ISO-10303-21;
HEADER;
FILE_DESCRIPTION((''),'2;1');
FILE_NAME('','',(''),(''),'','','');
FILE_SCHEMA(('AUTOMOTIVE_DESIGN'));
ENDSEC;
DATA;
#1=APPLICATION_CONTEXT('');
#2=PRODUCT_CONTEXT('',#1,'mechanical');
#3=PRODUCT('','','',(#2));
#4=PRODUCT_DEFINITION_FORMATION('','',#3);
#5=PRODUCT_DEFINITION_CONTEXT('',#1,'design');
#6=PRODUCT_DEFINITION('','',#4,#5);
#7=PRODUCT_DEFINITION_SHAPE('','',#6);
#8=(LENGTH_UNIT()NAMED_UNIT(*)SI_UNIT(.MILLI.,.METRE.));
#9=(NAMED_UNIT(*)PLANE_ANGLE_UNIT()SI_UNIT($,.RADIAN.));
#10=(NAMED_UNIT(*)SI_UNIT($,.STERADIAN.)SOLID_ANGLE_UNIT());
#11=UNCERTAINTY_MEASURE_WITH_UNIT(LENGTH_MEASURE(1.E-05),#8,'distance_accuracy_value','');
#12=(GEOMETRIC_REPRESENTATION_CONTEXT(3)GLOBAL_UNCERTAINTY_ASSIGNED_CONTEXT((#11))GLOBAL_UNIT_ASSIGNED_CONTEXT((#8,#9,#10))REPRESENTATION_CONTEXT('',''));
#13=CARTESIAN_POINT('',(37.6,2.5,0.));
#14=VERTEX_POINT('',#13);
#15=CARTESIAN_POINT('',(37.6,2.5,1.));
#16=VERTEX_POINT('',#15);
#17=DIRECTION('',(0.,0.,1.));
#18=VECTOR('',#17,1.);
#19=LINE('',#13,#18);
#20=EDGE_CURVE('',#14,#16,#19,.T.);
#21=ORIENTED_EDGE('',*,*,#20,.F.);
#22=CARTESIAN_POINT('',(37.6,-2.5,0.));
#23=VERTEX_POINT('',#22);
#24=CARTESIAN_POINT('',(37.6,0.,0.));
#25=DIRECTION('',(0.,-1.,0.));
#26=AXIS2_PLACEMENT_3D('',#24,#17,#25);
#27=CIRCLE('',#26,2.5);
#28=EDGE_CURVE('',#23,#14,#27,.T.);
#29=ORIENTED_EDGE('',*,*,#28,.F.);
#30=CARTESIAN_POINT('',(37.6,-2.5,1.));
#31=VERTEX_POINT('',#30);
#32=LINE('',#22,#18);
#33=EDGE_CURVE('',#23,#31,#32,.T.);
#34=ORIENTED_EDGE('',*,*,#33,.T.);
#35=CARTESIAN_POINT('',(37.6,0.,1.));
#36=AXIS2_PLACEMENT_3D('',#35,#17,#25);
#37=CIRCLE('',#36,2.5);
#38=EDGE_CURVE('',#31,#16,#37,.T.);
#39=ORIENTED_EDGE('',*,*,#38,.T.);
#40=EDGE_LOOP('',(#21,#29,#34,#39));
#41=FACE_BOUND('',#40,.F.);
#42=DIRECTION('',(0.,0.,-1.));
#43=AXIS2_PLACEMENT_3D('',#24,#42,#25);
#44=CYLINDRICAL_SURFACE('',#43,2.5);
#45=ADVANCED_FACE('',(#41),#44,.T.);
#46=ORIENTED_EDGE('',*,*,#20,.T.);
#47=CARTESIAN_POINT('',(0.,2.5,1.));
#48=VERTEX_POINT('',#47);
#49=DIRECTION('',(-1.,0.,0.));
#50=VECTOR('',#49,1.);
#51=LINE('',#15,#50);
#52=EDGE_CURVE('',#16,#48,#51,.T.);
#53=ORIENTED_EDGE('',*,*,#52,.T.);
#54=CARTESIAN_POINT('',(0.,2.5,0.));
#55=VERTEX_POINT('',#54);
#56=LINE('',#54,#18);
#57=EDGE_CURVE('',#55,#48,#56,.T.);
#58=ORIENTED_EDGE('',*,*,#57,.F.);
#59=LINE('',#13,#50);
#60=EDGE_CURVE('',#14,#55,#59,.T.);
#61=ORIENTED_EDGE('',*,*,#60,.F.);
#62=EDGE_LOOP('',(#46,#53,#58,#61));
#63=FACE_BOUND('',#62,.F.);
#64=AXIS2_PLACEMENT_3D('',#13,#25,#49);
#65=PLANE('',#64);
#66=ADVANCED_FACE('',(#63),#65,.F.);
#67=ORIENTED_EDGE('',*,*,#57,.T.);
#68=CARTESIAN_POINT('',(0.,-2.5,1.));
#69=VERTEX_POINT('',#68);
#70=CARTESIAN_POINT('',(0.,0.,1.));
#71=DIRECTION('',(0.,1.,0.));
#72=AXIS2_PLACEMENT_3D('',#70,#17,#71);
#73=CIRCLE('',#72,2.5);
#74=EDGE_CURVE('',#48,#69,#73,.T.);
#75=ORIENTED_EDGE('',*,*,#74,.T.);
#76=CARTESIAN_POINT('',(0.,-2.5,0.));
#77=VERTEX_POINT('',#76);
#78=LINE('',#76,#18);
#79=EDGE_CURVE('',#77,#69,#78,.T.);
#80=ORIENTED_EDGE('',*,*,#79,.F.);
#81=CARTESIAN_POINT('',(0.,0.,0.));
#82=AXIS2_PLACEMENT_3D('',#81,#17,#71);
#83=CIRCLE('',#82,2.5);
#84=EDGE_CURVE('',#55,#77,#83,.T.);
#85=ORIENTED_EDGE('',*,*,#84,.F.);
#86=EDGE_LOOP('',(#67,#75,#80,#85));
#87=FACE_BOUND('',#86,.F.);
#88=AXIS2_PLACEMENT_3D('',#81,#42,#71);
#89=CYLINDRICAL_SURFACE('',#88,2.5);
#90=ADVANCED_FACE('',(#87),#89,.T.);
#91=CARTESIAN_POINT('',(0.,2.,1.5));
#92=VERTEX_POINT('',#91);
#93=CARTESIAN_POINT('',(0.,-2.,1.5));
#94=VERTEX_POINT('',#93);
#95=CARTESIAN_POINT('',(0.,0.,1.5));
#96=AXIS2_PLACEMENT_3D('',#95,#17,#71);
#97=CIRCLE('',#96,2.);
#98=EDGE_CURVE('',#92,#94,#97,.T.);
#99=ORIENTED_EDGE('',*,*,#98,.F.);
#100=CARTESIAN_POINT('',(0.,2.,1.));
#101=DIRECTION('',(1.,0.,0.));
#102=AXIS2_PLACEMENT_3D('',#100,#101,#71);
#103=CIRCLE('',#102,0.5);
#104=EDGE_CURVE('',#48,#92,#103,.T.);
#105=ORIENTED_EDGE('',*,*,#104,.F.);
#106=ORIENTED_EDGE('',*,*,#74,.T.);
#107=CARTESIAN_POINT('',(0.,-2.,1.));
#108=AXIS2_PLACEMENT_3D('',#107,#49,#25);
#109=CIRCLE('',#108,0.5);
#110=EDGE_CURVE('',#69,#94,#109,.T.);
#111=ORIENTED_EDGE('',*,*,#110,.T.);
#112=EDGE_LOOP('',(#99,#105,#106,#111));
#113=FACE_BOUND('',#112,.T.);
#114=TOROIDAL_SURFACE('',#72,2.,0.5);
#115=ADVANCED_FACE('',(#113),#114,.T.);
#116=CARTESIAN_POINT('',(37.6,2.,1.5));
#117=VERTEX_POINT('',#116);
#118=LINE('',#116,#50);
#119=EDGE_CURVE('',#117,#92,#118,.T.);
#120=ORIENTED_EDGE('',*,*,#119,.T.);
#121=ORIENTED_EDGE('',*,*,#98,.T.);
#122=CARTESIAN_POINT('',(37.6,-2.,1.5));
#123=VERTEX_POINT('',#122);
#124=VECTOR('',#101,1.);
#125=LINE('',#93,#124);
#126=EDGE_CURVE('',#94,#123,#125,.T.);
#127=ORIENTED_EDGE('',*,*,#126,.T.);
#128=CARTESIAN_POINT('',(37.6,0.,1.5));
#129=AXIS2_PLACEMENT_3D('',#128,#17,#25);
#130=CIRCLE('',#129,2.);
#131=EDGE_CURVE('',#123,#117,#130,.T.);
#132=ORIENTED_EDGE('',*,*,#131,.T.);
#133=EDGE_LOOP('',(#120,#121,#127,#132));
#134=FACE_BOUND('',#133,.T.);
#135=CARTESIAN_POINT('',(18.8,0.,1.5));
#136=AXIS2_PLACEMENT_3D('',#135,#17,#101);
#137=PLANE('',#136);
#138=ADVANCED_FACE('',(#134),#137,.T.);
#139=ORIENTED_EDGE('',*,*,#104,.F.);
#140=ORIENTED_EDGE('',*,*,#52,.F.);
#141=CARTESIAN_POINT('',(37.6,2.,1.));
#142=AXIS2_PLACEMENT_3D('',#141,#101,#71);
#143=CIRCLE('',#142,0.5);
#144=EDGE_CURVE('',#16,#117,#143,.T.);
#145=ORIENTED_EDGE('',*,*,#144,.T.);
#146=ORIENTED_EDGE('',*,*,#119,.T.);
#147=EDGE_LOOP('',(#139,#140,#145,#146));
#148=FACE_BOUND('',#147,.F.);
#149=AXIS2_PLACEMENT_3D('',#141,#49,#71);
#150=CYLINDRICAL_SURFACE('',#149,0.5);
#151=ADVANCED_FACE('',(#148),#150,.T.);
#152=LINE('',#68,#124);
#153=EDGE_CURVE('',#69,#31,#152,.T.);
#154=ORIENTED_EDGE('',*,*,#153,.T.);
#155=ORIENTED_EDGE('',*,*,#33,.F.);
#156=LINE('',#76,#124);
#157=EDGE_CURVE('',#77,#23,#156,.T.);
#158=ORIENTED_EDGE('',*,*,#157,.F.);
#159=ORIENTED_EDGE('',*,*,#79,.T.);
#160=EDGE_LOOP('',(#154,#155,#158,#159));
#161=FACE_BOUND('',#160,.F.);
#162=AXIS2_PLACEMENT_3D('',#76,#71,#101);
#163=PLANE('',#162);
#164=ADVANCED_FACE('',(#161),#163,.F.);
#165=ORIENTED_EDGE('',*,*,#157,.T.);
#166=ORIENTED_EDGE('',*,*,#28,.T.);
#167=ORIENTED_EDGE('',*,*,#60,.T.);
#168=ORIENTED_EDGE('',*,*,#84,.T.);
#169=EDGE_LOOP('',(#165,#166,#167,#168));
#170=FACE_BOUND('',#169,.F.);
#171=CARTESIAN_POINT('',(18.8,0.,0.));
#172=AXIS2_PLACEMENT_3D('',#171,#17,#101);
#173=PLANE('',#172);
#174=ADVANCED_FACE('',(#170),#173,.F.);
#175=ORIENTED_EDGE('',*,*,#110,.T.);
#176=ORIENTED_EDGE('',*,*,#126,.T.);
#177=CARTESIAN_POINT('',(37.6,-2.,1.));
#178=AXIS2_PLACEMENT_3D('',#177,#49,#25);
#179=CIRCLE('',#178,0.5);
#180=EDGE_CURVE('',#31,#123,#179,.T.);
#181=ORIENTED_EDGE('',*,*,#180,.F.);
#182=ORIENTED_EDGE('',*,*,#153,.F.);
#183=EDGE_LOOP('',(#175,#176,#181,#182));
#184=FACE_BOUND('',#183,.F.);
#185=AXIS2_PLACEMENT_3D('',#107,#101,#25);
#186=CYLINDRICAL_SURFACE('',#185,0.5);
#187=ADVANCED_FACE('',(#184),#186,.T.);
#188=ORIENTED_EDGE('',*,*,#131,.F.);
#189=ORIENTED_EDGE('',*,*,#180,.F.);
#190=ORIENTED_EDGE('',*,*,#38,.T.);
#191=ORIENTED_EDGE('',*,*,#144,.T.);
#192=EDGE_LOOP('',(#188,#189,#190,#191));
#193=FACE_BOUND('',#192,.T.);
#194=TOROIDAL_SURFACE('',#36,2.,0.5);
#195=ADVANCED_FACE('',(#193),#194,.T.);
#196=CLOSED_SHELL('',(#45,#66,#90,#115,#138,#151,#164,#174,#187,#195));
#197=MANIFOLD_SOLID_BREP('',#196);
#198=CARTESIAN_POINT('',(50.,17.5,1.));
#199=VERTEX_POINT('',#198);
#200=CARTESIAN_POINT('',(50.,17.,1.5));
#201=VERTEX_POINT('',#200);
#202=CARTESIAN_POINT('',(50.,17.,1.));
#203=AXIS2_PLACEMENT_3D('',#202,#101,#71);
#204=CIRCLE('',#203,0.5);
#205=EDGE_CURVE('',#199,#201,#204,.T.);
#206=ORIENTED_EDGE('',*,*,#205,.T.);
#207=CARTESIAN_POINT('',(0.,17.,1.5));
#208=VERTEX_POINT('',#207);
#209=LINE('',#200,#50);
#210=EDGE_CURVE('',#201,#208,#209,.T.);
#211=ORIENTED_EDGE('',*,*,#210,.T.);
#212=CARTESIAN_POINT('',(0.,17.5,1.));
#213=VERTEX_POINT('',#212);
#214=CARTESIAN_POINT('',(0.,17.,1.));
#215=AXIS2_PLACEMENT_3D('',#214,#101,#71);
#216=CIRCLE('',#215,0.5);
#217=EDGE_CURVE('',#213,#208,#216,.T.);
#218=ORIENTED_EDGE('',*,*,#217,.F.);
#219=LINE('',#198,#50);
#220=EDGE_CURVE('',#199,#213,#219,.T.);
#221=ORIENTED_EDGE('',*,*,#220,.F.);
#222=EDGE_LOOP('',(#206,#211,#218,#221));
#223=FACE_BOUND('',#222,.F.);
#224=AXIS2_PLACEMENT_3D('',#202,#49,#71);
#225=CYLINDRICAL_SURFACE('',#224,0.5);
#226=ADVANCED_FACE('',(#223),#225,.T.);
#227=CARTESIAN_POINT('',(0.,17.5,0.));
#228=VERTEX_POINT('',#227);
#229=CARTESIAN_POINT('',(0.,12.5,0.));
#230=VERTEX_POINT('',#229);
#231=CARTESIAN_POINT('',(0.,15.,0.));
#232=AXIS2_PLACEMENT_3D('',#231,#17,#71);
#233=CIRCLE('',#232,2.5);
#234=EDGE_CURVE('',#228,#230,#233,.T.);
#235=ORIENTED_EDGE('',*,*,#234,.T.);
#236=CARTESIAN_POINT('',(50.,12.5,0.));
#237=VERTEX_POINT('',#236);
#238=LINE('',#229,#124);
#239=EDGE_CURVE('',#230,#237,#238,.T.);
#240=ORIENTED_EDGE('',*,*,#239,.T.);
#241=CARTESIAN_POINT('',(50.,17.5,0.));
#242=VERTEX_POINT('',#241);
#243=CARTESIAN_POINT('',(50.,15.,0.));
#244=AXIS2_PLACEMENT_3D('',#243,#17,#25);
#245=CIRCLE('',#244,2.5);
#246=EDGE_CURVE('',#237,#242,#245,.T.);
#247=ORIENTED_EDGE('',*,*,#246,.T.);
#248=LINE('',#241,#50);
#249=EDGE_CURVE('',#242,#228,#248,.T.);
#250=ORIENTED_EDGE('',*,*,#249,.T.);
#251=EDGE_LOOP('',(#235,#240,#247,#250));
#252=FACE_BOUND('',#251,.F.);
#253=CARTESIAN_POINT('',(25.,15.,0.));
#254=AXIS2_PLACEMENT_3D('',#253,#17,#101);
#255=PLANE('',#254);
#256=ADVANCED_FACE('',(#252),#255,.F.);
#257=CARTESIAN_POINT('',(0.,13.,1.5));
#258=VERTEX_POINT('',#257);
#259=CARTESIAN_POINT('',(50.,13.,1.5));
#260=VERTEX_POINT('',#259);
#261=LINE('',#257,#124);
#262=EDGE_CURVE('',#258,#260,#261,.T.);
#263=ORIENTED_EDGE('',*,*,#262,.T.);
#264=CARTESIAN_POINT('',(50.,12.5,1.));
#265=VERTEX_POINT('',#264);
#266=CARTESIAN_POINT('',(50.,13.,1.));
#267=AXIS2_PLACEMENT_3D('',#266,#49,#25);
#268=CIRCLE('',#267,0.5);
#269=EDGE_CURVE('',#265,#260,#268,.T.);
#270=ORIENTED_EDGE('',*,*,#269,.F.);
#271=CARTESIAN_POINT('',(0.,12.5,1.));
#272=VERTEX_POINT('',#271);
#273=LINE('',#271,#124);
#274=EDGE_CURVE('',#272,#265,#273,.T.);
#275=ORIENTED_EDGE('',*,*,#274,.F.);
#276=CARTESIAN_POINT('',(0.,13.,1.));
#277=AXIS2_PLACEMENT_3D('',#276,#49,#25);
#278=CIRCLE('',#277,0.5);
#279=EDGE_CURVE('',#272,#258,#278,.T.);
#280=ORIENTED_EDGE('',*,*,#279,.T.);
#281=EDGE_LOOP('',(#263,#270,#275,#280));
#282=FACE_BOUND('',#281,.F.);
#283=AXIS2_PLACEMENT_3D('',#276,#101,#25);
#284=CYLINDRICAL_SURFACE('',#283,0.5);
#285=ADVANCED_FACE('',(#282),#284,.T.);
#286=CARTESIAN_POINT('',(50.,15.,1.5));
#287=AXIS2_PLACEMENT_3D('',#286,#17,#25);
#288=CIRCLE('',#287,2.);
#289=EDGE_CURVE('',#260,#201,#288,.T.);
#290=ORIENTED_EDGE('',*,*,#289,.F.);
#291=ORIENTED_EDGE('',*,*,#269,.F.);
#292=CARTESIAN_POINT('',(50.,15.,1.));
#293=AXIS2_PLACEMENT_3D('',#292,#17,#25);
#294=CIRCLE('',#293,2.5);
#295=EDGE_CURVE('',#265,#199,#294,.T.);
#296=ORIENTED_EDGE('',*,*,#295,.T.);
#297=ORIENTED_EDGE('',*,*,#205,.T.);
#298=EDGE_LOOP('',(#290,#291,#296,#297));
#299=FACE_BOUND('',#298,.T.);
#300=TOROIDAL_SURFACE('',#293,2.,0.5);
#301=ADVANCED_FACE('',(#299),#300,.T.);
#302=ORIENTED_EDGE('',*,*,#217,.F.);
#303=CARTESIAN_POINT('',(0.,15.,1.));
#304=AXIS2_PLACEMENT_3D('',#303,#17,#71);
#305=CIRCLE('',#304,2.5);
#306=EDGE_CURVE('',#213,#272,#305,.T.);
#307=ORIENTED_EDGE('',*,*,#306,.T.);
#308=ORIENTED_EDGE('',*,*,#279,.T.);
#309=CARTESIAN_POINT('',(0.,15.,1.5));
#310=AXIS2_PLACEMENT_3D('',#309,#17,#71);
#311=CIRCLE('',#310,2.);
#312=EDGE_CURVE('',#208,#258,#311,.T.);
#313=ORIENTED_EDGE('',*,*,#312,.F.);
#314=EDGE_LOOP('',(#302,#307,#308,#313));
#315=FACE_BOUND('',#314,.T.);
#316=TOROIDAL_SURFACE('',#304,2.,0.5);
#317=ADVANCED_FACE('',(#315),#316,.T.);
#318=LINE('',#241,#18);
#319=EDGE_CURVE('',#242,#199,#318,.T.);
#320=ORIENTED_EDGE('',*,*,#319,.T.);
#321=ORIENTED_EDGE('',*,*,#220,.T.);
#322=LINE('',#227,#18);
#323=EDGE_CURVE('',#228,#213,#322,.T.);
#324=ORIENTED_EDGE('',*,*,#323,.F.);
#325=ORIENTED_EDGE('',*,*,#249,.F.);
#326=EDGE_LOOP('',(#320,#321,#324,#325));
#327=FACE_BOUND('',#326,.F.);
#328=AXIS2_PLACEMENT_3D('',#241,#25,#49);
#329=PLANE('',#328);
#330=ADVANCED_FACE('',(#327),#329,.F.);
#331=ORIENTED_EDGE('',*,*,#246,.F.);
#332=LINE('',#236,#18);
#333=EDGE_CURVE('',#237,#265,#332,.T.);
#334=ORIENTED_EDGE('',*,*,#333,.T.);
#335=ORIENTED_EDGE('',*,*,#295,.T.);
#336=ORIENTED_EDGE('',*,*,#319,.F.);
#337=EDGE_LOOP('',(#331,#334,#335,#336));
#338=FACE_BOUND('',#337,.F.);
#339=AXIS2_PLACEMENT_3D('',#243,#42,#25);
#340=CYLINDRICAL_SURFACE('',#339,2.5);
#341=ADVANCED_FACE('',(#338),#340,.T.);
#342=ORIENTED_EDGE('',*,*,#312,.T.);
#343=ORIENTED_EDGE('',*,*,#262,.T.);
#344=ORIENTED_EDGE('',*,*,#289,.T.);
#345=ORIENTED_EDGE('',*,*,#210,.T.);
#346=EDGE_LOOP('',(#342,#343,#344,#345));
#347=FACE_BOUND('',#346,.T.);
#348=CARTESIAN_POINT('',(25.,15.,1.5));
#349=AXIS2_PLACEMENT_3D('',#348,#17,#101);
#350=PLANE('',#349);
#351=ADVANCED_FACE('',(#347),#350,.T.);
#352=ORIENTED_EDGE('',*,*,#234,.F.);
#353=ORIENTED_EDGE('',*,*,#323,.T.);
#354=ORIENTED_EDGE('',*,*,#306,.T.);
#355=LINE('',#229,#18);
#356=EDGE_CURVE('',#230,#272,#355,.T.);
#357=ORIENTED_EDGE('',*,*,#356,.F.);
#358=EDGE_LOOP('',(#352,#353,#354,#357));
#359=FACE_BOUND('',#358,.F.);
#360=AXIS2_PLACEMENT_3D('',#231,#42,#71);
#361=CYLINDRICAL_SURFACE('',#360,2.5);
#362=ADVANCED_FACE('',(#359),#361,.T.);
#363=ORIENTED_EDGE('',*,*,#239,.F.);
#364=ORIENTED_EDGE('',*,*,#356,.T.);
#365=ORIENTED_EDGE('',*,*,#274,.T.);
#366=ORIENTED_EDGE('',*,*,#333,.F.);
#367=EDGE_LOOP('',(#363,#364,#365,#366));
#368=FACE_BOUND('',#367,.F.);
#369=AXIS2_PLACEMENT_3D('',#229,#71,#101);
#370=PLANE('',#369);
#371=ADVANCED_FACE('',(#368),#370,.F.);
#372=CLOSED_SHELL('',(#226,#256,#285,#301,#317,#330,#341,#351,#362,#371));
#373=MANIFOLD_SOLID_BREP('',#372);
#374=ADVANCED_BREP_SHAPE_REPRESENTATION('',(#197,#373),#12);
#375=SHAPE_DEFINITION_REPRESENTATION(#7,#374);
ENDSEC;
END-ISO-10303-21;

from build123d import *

# Parameters (mm, degrees)
PAD_DEPTH    = 1.5
FILLET001_R  = 0.5
PAD001_DEPTH = 1.5
FILLET_R     = 0.5


with BuildPart() as k_rper:
    # Sketch001 → Pad (new body)
    with BuildSketch(Plane.XY):
        with BuildLine():
            ThreePointArc((0, 17.5), (-2.5, 15), (0, 12.5))
            Line((0, 12.5), (50, 12.5))
            ThreePointArc((50, 12.5), (52.5, 15), (50, 17.5))
            Line((50, 17.5), (0, 17.5))
        make_face()
    extrude(amount=PAD_DEPTH)

    # Fillet001
    fillet001_edges = [k_rper.edges().sort_by_distance(p)[0] for p in [
        (-2.5, 15, 1.5),
        (25, 12.5, 1.5),
        (52.5, 15, 1.5),
        (25, 17.5, 1.5),
    ]]
    fillet(fillet001_edges, radius=FILLET001_R)


with BuildPart() as k_rper001:
    # Sketch002 → Pad001 (new body)
    with BuildSketch(Plane.XY):
        with BuildLine():
            ThreePointArc((0, 2.5), (-2.5, 0), (0, -2.5))
            Line((0, -2.5), (37.6, -2.5))
            ThreePointArc((37.6, -2.5), (40.1, 0), (37.6, 2.5))
            Line((37.6, 2.5), (0, 2.5))
        make_face()
    extrude(amount=PAD001_DEPTH)

    # Fillet
    fillet_edges = [k_rper001.edges().sort_by_distance(p)[0] for p in [
        (-2.5, 0, 1.5),
        (18.8, -2.5, 1.5),
        (40.1, 0, 1.5),
        (18.8, 2.5, 1.5),
    ]]
    fillet(fillet_edges, radius=FILLET_R)


solid = Compound([k_rper.part, k_rper001.part])
